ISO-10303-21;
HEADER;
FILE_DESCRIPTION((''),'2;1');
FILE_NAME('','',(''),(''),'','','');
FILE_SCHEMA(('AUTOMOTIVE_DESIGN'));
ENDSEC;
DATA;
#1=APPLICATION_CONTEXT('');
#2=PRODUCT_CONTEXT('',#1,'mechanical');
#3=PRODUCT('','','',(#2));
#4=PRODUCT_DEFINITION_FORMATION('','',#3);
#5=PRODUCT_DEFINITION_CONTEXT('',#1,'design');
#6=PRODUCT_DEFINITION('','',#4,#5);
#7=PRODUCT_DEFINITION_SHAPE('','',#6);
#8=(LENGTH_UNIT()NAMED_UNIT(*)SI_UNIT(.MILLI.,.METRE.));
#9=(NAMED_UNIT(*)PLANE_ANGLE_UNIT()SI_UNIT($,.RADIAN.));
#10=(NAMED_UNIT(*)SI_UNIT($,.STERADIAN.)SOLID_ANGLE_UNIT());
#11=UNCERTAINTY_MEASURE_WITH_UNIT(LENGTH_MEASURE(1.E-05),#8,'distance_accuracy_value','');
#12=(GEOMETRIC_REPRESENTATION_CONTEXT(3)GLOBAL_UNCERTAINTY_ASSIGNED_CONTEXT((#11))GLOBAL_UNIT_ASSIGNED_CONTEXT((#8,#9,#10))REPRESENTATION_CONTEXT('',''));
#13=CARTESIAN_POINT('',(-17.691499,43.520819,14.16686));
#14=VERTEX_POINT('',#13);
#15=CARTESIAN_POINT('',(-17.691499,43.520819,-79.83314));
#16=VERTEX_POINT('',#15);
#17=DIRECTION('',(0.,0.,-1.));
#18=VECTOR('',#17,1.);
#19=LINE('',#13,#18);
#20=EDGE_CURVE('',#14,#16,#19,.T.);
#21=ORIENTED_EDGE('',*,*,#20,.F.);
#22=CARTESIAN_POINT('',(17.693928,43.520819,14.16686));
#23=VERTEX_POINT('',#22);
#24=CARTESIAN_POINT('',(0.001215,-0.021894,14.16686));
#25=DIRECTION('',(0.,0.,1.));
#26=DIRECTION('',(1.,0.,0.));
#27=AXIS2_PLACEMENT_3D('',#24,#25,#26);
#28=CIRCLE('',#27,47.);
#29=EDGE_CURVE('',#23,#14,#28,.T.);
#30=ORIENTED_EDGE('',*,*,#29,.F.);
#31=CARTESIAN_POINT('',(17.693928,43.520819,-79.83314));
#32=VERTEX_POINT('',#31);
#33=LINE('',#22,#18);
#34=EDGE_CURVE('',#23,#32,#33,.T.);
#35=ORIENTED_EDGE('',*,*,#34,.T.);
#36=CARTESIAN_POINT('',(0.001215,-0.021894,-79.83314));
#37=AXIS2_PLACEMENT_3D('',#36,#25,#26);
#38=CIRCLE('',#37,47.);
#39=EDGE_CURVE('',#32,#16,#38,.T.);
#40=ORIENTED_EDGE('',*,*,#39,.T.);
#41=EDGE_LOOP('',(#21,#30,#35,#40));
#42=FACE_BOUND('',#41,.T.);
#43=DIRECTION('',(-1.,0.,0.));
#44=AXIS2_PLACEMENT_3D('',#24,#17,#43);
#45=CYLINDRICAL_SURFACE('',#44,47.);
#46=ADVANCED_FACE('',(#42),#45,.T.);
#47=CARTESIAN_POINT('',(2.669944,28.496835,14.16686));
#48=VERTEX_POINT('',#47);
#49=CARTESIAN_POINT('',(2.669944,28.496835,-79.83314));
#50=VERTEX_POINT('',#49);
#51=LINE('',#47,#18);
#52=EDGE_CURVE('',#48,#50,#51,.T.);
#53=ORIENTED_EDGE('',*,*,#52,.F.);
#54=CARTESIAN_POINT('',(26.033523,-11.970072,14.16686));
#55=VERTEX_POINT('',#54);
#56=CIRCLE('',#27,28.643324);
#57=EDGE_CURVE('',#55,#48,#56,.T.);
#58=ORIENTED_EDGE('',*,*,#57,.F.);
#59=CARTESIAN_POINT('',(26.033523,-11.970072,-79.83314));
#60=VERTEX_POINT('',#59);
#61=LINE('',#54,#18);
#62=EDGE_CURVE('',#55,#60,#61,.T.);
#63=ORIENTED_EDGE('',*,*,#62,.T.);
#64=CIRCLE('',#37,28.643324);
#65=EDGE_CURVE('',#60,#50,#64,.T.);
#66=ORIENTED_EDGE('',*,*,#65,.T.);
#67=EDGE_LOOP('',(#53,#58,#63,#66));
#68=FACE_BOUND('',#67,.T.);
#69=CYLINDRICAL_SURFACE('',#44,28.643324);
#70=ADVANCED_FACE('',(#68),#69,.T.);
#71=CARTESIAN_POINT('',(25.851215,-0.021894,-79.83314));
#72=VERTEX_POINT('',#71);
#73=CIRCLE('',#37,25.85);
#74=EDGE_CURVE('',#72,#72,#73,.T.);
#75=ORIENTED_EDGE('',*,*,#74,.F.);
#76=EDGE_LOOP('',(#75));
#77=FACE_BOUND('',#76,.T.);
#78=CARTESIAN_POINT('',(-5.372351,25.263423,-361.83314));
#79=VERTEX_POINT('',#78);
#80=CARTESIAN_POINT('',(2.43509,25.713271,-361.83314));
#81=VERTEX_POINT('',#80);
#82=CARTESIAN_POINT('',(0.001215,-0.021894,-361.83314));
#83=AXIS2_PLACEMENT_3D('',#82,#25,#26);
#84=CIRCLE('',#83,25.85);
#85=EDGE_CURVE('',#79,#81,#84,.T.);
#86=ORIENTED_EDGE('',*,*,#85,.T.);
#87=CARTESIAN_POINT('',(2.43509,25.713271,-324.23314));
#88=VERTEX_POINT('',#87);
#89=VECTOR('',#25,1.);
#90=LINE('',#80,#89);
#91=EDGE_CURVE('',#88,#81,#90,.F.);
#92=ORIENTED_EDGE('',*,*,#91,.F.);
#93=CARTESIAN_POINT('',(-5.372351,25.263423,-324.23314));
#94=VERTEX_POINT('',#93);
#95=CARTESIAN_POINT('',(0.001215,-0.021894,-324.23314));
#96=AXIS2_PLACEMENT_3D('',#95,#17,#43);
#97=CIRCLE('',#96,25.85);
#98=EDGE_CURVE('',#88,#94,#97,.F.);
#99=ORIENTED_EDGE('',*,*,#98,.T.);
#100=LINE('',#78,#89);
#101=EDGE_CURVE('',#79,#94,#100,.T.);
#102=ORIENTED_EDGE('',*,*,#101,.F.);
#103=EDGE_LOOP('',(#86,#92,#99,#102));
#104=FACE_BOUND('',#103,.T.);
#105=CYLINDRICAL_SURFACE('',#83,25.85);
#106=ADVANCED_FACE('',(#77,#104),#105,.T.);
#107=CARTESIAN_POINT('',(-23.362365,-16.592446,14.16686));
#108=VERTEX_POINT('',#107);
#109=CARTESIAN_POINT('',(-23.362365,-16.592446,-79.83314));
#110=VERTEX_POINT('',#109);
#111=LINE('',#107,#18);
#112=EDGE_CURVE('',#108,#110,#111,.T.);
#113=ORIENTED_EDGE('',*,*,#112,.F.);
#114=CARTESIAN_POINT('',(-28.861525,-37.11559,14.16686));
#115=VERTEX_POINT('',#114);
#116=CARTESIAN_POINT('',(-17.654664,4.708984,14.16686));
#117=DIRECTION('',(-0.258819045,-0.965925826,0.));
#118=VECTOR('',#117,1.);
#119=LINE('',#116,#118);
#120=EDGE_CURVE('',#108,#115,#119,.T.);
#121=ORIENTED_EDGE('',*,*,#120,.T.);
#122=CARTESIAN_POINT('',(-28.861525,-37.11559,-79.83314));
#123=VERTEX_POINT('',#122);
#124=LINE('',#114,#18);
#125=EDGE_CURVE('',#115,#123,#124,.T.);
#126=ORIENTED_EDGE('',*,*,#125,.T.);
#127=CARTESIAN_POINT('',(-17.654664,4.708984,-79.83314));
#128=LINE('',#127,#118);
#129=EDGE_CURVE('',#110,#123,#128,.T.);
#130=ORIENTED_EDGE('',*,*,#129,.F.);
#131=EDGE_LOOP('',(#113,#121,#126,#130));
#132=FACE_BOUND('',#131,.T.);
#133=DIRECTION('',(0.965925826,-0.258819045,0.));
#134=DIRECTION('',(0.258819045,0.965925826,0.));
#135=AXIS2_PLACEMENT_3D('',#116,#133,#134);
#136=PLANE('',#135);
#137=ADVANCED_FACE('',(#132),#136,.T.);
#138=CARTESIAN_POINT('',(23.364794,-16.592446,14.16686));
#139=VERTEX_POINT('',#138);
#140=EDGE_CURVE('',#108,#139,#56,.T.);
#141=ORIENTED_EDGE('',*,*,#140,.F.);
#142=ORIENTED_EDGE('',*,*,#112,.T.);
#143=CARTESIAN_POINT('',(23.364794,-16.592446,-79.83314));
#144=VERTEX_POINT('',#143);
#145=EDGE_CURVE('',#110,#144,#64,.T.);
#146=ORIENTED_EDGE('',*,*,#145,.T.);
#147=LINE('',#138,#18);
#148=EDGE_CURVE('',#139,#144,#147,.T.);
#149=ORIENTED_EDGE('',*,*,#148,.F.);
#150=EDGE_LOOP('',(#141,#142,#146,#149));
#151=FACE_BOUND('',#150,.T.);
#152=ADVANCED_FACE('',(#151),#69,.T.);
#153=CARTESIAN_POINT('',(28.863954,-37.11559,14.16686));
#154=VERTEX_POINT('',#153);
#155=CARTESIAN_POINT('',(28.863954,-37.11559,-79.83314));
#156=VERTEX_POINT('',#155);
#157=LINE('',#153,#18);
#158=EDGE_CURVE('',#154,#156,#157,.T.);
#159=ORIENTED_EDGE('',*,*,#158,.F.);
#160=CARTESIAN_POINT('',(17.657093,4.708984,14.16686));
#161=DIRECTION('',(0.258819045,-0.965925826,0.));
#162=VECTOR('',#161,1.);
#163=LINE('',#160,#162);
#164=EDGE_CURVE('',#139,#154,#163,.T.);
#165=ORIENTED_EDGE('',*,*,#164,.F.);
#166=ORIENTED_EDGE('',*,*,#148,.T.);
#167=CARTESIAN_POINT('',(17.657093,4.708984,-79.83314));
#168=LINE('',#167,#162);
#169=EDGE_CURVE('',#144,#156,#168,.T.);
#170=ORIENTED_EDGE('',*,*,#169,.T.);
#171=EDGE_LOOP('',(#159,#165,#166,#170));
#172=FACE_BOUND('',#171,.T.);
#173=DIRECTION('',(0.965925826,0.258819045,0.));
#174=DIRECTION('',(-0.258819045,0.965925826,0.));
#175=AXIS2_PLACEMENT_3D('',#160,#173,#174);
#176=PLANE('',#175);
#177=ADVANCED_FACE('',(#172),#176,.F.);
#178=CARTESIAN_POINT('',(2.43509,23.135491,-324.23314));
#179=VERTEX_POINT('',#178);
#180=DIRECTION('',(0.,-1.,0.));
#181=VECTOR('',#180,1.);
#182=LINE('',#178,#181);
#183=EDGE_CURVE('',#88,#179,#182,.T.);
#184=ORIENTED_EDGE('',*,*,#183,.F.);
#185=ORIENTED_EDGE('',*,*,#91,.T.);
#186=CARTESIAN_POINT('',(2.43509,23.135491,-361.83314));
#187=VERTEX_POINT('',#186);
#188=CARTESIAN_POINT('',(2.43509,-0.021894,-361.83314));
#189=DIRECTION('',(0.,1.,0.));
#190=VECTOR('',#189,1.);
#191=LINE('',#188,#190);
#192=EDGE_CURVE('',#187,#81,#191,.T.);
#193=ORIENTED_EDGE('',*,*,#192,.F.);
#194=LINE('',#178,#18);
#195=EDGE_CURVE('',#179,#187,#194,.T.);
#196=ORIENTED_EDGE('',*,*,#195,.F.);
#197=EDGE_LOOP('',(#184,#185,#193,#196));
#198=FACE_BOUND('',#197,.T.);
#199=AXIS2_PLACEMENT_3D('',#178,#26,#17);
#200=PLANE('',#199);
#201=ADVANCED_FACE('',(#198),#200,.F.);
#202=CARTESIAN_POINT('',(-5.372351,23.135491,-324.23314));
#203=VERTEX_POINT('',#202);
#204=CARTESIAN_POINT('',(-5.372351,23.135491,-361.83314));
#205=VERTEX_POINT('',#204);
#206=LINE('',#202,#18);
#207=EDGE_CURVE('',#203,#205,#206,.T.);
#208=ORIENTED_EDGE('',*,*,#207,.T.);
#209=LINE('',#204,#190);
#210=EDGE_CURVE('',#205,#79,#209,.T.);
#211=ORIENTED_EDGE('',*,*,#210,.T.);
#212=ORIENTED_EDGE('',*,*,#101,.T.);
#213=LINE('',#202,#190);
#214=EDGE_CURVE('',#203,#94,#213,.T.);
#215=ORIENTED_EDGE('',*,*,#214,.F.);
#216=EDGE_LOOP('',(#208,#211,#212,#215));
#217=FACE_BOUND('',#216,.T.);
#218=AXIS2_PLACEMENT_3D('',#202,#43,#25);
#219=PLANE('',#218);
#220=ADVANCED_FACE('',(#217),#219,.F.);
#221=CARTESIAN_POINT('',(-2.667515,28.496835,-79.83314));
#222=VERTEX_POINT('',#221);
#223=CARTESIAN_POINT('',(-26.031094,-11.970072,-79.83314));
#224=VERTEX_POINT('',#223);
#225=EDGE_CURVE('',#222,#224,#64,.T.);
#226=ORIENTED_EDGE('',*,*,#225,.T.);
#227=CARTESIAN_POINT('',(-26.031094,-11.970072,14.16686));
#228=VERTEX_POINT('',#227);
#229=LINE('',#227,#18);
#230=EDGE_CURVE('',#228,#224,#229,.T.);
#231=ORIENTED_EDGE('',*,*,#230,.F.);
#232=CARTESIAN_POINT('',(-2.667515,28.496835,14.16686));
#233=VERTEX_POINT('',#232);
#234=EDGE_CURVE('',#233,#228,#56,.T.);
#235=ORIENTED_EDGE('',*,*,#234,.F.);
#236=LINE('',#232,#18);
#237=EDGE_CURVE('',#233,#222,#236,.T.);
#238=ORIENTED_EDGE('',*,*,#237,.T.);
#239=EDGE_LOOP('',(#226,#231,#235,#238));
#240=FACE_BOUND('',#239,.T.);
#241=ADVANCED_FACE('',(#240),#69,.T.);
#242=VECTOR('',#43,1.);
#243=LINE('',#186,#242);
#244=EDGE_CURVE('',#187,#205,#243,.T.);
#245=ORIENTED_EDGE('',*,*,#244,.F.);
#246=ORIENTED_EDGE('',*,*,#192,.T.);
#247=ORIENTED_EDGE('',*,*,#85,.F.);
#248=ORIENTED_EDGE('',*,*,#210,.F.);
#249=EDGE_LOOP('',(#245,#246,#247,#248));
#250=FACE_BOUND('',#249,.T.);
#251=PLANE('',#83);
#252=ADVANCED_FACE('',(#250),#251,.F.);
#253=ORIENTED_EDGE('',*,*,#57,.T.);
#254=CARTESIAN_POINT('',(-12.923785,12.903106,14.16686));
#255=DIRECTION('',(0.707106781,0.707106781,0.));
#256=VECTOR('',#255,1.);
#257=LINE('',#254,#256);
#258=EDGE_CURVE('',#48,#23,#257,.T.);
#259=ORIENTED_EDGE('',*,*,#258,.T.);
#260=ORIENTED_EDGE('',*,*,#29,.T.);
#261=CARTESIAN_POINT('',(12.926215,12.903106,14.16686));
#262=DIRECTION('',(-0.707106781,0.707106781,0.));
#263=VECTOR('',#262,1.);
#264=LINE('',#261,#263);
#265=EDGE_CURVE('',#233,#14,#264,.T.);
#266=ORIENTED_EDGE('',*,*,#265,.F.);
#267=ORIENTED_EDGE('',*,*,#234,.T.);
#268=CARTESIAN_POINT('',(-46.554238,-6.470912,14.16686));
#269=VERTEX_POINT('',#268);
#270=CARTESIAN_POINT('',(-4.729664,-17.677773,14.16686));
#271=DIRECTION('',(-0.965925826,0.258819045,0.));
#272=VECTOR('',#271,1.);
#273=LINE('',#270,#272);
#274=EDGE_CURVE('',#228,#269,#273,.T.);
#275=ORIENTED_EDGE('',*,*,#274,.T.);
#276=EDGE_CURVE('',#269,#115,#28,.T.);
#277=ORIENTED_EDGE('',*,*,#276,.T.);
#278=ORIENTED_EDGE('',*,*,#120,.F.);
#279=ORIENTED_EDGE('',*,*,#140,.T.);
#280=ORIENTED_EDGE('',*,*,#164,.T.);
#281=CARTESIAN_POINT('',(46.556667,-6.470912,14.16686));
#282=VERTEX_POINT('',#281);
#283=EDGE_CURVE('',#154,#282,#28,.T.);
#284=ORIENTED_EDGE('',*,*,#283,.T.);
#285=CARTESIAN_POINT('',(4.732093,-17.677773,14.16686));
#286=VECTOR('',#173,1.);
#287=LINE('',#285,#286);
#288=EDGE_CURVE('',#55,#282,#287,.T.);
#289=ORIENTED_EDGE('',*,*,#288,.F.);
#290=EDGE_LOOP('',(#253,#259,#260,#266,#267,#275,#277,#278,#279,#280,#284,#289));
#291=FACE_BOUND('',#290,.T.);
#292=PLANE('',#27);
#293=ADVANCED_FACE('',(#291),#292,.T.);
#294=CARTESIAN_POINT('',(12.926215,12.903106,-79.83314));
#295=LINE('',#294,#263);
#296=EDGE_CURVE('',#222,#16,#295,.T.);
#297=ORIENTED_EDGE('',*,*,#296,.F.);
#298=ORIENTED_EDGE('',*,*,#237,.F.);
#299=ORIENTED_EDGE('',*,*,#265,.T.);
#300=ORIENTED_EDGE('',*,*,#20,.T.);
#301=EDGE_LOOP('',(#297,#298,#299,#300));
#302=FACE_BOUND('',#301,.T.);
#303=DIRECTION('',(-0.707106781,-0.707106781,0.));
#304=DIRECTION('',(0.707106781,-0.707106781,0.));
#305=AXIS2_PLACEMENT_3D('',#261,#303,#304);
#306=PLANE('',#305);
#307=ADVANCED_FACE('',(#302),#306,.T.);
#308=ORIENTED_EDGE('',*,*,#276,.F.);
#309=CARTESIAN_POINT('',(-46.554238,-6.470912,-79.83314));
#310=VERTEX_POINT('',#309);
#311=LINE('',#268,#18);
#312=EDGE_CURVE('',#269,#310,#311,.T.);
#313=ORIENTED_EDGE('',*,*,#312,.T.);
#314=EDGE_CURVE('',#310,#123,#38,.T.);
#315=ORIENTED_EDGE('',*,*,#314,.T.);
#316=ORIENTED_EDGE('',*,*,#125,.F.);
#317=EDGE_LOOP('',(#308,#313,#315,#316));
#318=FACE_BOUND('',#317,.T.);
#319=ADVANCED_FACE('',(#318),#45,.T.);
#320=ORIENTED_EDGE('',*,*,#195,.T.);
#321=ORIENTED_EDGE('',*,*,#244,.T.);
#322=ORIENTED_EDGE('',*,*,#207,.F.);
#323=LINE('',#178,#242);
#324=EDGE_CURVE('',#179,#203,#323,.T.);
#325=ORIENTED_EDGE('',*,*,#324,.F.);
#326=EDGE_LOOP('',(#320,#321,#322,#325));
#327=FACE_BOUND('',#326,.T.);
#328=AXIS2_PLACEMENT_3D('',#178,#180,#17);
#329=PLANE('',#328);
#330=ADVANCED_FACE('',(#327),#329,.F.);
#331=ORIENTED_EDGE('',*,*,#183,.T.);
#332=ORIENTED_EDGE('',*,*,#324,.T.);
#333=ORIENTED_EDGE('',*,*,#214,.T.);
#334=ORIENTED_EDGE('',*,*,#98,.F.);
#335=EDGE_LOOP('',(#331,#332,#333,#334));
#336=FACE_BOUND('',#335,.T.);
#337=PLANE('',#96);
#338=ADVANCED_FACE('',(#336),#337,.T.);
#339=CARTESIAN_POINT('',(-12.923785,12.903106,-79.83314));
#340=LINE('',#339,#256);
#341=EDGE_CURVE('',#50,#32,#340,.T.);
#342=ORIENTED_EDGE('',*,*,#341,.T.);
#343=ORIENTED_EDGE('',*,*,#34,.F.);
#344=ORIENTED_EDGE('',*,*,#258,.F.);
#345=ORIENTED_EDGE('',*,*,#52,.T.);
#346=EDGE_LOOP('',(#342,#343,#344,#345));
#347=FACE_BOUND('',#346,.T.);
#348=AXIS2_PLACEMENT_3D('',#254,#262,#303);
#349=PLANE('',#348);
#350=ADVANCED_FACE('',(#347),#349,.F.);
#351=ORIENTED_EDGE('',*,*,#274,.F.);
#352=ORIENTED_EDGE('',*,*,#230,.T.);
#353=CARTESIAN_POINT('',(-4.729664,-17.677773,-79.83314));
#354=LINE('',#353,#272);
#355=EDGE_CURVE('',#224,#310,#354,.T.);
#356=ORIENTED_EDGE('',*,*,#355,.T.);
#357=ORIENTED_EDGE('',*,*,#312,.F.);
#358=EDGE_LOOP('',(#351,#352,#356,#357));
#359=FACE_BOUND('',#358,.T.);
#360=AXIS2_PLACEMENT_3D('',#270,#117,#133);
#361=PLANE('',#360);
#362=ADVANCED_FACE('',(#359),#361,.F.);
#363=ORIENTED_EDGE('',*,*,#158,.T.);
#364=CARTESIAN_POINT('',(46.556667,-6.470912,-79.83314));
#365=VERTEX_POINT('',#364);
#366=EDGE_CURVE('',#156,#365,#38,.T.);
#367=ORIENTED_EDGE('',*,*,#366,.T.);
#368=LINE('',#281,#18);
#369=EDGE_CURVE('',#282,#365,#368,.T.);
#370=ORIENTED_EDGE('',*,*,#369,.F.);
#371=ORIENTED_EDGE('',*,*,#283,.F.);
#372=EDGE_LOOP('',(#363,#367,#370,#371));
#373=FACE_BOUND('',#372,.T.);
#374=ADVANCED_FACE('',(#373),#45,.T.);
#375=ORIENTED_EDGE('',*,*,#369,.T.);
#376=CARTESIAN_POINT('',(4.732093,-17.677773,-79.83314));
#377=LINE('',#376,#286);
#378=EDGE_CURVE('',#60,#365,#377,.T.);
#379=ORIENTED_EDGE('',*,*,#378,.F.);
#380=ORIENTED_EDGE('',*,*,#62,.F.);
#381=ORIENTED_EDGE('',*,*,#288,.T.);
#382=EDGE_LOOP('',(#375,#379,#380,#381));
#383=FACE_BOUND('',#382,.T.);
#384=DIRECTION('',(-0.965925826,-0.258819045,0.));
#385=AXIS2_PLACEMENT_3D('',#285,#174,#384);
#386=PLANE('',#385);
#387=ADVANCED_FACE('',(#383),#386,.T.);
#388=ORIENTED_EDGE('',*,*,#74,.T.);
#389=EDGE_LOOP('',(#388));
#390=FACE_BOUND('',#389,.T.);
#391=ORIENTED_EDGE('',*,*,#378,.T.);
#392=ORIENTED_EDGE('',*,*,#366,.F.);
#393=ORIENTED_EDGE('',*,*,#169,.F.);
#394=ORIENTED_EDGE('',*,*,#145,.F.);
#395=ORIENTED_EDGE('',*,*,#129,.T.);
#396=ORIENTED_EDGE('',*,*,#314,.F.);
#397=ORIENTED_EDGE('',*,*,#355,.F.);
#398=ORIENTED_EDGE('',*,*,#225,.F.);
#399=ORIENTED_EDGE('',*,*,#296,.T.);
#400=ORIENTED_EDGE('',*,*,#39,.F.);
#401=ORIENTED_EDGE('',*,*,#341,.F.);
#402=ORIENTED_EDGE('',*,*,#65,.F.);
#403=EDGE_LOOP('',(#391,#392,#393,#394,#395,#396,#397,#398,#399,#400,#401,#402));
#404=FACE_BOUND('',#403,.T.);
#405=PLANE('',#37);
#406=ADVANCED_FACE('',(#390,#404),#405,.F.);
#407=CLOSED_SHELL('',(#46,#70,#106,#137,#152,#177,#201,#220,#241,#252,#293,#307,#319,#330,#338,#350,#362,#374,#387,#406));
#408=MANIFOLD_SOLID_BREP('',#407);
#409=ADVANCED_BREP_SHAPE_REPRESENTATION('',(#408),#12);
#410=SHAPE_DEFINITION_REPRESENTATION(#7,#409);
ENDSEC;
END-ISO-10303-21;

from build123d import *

# Parameters (mm, degrees)
BOSS_EXTRUDE1_DEPTH = 200
SKETCH2_R           = 55
BOSS_EXTRUDE2_DEPTH = 800
SKETCH4_W           = 16.611577021
SKETCH4_H           = 12.619068182
CUT_EXTRUDE1_DEPTH  = 80
ECHELLE1_SCALE      = 0.47


with BuildPart() as part:
    # Sketch1 → Boss-Extrude1 (new body)
    with BuildSketch(Plane.XY):
        with BuildLine():
            Line((-5.678147225, 60.678147225), (-37.644071104, 92.644071104))
            ThreePointArc((-37.644071104, 92.644071104), (0, 100), (37.644071104, 92.644071104))
            Line((37.644071104, 92.644071104), (5.678147225, 60.678147225))
            ThreePointArc((5.678147225, 60.678147225), (52.778396906, 30.471621661), (55.387890564, -25.421653869))
            Line((55.387890564, -25.421653869), (99.054154638, -13.721313674))
            ThreePointArc((99.054154638, -13.721313674), (86.602540378, -50), (61.410083534, -78.92275743))
            Line((61.410083534, -78.92275743), (49.709743339, -35.256493356))
            ThreePointArc((49.709743339, -35.256493356), (0, -60.943243322), (-49.709743339, -35.256493356))
            Line((-49.709743339, -35.256493356), (-61.410083534, -78.92275743))
            ThreePointArc((-61.410083534, -78.92275743), (-86.602540378, -50), (-99.054154638, -13.721313674))
            Line((-99.054154638, -13.721313674), (-55.387890564, -25.421653869))
            ThreePointArc((-55.387890564, -25.421653869), (-52.778396906, 30.471621661), (-5.678147225, 60.678147225))
        make_face()
    extrude(amount=BOSS_EXTRUDE1_DEPTH)

    # Sketch2 → Boss-Extrude2 (add)
    with BuildSketch(Plane.XY.offset(200)):
        Circle(SKETCH2_R)
    extrude(amount=-BOSS_EXTRUDE2_DEPTH)

    # Sketch4 → Cut-Extrude1 (cut)
    with BuildSketch(Plane(origin=(0, 0, -600), x_dir=(-1, 0, 0), z_dir=(0, 0, -1))):
        with Locations((3.127329512, 55.580565651)):
            Rectangle(SKETCH4_W, SKETCH4_H)
    extrude(amount=-CUT_EXTRUDE1_DEPTH, mode=Mode.SUBTRACT)


with BuildPart() as part_1:
    # Echelle1: scaled about (0.002291637, -0.041310048, -150.628565955)
    add(part.part.scale(ECHELLE1_SCALE).moved(Location((0.001214568, -0.021894325, -79.833139956))))


solid = part_1.part
